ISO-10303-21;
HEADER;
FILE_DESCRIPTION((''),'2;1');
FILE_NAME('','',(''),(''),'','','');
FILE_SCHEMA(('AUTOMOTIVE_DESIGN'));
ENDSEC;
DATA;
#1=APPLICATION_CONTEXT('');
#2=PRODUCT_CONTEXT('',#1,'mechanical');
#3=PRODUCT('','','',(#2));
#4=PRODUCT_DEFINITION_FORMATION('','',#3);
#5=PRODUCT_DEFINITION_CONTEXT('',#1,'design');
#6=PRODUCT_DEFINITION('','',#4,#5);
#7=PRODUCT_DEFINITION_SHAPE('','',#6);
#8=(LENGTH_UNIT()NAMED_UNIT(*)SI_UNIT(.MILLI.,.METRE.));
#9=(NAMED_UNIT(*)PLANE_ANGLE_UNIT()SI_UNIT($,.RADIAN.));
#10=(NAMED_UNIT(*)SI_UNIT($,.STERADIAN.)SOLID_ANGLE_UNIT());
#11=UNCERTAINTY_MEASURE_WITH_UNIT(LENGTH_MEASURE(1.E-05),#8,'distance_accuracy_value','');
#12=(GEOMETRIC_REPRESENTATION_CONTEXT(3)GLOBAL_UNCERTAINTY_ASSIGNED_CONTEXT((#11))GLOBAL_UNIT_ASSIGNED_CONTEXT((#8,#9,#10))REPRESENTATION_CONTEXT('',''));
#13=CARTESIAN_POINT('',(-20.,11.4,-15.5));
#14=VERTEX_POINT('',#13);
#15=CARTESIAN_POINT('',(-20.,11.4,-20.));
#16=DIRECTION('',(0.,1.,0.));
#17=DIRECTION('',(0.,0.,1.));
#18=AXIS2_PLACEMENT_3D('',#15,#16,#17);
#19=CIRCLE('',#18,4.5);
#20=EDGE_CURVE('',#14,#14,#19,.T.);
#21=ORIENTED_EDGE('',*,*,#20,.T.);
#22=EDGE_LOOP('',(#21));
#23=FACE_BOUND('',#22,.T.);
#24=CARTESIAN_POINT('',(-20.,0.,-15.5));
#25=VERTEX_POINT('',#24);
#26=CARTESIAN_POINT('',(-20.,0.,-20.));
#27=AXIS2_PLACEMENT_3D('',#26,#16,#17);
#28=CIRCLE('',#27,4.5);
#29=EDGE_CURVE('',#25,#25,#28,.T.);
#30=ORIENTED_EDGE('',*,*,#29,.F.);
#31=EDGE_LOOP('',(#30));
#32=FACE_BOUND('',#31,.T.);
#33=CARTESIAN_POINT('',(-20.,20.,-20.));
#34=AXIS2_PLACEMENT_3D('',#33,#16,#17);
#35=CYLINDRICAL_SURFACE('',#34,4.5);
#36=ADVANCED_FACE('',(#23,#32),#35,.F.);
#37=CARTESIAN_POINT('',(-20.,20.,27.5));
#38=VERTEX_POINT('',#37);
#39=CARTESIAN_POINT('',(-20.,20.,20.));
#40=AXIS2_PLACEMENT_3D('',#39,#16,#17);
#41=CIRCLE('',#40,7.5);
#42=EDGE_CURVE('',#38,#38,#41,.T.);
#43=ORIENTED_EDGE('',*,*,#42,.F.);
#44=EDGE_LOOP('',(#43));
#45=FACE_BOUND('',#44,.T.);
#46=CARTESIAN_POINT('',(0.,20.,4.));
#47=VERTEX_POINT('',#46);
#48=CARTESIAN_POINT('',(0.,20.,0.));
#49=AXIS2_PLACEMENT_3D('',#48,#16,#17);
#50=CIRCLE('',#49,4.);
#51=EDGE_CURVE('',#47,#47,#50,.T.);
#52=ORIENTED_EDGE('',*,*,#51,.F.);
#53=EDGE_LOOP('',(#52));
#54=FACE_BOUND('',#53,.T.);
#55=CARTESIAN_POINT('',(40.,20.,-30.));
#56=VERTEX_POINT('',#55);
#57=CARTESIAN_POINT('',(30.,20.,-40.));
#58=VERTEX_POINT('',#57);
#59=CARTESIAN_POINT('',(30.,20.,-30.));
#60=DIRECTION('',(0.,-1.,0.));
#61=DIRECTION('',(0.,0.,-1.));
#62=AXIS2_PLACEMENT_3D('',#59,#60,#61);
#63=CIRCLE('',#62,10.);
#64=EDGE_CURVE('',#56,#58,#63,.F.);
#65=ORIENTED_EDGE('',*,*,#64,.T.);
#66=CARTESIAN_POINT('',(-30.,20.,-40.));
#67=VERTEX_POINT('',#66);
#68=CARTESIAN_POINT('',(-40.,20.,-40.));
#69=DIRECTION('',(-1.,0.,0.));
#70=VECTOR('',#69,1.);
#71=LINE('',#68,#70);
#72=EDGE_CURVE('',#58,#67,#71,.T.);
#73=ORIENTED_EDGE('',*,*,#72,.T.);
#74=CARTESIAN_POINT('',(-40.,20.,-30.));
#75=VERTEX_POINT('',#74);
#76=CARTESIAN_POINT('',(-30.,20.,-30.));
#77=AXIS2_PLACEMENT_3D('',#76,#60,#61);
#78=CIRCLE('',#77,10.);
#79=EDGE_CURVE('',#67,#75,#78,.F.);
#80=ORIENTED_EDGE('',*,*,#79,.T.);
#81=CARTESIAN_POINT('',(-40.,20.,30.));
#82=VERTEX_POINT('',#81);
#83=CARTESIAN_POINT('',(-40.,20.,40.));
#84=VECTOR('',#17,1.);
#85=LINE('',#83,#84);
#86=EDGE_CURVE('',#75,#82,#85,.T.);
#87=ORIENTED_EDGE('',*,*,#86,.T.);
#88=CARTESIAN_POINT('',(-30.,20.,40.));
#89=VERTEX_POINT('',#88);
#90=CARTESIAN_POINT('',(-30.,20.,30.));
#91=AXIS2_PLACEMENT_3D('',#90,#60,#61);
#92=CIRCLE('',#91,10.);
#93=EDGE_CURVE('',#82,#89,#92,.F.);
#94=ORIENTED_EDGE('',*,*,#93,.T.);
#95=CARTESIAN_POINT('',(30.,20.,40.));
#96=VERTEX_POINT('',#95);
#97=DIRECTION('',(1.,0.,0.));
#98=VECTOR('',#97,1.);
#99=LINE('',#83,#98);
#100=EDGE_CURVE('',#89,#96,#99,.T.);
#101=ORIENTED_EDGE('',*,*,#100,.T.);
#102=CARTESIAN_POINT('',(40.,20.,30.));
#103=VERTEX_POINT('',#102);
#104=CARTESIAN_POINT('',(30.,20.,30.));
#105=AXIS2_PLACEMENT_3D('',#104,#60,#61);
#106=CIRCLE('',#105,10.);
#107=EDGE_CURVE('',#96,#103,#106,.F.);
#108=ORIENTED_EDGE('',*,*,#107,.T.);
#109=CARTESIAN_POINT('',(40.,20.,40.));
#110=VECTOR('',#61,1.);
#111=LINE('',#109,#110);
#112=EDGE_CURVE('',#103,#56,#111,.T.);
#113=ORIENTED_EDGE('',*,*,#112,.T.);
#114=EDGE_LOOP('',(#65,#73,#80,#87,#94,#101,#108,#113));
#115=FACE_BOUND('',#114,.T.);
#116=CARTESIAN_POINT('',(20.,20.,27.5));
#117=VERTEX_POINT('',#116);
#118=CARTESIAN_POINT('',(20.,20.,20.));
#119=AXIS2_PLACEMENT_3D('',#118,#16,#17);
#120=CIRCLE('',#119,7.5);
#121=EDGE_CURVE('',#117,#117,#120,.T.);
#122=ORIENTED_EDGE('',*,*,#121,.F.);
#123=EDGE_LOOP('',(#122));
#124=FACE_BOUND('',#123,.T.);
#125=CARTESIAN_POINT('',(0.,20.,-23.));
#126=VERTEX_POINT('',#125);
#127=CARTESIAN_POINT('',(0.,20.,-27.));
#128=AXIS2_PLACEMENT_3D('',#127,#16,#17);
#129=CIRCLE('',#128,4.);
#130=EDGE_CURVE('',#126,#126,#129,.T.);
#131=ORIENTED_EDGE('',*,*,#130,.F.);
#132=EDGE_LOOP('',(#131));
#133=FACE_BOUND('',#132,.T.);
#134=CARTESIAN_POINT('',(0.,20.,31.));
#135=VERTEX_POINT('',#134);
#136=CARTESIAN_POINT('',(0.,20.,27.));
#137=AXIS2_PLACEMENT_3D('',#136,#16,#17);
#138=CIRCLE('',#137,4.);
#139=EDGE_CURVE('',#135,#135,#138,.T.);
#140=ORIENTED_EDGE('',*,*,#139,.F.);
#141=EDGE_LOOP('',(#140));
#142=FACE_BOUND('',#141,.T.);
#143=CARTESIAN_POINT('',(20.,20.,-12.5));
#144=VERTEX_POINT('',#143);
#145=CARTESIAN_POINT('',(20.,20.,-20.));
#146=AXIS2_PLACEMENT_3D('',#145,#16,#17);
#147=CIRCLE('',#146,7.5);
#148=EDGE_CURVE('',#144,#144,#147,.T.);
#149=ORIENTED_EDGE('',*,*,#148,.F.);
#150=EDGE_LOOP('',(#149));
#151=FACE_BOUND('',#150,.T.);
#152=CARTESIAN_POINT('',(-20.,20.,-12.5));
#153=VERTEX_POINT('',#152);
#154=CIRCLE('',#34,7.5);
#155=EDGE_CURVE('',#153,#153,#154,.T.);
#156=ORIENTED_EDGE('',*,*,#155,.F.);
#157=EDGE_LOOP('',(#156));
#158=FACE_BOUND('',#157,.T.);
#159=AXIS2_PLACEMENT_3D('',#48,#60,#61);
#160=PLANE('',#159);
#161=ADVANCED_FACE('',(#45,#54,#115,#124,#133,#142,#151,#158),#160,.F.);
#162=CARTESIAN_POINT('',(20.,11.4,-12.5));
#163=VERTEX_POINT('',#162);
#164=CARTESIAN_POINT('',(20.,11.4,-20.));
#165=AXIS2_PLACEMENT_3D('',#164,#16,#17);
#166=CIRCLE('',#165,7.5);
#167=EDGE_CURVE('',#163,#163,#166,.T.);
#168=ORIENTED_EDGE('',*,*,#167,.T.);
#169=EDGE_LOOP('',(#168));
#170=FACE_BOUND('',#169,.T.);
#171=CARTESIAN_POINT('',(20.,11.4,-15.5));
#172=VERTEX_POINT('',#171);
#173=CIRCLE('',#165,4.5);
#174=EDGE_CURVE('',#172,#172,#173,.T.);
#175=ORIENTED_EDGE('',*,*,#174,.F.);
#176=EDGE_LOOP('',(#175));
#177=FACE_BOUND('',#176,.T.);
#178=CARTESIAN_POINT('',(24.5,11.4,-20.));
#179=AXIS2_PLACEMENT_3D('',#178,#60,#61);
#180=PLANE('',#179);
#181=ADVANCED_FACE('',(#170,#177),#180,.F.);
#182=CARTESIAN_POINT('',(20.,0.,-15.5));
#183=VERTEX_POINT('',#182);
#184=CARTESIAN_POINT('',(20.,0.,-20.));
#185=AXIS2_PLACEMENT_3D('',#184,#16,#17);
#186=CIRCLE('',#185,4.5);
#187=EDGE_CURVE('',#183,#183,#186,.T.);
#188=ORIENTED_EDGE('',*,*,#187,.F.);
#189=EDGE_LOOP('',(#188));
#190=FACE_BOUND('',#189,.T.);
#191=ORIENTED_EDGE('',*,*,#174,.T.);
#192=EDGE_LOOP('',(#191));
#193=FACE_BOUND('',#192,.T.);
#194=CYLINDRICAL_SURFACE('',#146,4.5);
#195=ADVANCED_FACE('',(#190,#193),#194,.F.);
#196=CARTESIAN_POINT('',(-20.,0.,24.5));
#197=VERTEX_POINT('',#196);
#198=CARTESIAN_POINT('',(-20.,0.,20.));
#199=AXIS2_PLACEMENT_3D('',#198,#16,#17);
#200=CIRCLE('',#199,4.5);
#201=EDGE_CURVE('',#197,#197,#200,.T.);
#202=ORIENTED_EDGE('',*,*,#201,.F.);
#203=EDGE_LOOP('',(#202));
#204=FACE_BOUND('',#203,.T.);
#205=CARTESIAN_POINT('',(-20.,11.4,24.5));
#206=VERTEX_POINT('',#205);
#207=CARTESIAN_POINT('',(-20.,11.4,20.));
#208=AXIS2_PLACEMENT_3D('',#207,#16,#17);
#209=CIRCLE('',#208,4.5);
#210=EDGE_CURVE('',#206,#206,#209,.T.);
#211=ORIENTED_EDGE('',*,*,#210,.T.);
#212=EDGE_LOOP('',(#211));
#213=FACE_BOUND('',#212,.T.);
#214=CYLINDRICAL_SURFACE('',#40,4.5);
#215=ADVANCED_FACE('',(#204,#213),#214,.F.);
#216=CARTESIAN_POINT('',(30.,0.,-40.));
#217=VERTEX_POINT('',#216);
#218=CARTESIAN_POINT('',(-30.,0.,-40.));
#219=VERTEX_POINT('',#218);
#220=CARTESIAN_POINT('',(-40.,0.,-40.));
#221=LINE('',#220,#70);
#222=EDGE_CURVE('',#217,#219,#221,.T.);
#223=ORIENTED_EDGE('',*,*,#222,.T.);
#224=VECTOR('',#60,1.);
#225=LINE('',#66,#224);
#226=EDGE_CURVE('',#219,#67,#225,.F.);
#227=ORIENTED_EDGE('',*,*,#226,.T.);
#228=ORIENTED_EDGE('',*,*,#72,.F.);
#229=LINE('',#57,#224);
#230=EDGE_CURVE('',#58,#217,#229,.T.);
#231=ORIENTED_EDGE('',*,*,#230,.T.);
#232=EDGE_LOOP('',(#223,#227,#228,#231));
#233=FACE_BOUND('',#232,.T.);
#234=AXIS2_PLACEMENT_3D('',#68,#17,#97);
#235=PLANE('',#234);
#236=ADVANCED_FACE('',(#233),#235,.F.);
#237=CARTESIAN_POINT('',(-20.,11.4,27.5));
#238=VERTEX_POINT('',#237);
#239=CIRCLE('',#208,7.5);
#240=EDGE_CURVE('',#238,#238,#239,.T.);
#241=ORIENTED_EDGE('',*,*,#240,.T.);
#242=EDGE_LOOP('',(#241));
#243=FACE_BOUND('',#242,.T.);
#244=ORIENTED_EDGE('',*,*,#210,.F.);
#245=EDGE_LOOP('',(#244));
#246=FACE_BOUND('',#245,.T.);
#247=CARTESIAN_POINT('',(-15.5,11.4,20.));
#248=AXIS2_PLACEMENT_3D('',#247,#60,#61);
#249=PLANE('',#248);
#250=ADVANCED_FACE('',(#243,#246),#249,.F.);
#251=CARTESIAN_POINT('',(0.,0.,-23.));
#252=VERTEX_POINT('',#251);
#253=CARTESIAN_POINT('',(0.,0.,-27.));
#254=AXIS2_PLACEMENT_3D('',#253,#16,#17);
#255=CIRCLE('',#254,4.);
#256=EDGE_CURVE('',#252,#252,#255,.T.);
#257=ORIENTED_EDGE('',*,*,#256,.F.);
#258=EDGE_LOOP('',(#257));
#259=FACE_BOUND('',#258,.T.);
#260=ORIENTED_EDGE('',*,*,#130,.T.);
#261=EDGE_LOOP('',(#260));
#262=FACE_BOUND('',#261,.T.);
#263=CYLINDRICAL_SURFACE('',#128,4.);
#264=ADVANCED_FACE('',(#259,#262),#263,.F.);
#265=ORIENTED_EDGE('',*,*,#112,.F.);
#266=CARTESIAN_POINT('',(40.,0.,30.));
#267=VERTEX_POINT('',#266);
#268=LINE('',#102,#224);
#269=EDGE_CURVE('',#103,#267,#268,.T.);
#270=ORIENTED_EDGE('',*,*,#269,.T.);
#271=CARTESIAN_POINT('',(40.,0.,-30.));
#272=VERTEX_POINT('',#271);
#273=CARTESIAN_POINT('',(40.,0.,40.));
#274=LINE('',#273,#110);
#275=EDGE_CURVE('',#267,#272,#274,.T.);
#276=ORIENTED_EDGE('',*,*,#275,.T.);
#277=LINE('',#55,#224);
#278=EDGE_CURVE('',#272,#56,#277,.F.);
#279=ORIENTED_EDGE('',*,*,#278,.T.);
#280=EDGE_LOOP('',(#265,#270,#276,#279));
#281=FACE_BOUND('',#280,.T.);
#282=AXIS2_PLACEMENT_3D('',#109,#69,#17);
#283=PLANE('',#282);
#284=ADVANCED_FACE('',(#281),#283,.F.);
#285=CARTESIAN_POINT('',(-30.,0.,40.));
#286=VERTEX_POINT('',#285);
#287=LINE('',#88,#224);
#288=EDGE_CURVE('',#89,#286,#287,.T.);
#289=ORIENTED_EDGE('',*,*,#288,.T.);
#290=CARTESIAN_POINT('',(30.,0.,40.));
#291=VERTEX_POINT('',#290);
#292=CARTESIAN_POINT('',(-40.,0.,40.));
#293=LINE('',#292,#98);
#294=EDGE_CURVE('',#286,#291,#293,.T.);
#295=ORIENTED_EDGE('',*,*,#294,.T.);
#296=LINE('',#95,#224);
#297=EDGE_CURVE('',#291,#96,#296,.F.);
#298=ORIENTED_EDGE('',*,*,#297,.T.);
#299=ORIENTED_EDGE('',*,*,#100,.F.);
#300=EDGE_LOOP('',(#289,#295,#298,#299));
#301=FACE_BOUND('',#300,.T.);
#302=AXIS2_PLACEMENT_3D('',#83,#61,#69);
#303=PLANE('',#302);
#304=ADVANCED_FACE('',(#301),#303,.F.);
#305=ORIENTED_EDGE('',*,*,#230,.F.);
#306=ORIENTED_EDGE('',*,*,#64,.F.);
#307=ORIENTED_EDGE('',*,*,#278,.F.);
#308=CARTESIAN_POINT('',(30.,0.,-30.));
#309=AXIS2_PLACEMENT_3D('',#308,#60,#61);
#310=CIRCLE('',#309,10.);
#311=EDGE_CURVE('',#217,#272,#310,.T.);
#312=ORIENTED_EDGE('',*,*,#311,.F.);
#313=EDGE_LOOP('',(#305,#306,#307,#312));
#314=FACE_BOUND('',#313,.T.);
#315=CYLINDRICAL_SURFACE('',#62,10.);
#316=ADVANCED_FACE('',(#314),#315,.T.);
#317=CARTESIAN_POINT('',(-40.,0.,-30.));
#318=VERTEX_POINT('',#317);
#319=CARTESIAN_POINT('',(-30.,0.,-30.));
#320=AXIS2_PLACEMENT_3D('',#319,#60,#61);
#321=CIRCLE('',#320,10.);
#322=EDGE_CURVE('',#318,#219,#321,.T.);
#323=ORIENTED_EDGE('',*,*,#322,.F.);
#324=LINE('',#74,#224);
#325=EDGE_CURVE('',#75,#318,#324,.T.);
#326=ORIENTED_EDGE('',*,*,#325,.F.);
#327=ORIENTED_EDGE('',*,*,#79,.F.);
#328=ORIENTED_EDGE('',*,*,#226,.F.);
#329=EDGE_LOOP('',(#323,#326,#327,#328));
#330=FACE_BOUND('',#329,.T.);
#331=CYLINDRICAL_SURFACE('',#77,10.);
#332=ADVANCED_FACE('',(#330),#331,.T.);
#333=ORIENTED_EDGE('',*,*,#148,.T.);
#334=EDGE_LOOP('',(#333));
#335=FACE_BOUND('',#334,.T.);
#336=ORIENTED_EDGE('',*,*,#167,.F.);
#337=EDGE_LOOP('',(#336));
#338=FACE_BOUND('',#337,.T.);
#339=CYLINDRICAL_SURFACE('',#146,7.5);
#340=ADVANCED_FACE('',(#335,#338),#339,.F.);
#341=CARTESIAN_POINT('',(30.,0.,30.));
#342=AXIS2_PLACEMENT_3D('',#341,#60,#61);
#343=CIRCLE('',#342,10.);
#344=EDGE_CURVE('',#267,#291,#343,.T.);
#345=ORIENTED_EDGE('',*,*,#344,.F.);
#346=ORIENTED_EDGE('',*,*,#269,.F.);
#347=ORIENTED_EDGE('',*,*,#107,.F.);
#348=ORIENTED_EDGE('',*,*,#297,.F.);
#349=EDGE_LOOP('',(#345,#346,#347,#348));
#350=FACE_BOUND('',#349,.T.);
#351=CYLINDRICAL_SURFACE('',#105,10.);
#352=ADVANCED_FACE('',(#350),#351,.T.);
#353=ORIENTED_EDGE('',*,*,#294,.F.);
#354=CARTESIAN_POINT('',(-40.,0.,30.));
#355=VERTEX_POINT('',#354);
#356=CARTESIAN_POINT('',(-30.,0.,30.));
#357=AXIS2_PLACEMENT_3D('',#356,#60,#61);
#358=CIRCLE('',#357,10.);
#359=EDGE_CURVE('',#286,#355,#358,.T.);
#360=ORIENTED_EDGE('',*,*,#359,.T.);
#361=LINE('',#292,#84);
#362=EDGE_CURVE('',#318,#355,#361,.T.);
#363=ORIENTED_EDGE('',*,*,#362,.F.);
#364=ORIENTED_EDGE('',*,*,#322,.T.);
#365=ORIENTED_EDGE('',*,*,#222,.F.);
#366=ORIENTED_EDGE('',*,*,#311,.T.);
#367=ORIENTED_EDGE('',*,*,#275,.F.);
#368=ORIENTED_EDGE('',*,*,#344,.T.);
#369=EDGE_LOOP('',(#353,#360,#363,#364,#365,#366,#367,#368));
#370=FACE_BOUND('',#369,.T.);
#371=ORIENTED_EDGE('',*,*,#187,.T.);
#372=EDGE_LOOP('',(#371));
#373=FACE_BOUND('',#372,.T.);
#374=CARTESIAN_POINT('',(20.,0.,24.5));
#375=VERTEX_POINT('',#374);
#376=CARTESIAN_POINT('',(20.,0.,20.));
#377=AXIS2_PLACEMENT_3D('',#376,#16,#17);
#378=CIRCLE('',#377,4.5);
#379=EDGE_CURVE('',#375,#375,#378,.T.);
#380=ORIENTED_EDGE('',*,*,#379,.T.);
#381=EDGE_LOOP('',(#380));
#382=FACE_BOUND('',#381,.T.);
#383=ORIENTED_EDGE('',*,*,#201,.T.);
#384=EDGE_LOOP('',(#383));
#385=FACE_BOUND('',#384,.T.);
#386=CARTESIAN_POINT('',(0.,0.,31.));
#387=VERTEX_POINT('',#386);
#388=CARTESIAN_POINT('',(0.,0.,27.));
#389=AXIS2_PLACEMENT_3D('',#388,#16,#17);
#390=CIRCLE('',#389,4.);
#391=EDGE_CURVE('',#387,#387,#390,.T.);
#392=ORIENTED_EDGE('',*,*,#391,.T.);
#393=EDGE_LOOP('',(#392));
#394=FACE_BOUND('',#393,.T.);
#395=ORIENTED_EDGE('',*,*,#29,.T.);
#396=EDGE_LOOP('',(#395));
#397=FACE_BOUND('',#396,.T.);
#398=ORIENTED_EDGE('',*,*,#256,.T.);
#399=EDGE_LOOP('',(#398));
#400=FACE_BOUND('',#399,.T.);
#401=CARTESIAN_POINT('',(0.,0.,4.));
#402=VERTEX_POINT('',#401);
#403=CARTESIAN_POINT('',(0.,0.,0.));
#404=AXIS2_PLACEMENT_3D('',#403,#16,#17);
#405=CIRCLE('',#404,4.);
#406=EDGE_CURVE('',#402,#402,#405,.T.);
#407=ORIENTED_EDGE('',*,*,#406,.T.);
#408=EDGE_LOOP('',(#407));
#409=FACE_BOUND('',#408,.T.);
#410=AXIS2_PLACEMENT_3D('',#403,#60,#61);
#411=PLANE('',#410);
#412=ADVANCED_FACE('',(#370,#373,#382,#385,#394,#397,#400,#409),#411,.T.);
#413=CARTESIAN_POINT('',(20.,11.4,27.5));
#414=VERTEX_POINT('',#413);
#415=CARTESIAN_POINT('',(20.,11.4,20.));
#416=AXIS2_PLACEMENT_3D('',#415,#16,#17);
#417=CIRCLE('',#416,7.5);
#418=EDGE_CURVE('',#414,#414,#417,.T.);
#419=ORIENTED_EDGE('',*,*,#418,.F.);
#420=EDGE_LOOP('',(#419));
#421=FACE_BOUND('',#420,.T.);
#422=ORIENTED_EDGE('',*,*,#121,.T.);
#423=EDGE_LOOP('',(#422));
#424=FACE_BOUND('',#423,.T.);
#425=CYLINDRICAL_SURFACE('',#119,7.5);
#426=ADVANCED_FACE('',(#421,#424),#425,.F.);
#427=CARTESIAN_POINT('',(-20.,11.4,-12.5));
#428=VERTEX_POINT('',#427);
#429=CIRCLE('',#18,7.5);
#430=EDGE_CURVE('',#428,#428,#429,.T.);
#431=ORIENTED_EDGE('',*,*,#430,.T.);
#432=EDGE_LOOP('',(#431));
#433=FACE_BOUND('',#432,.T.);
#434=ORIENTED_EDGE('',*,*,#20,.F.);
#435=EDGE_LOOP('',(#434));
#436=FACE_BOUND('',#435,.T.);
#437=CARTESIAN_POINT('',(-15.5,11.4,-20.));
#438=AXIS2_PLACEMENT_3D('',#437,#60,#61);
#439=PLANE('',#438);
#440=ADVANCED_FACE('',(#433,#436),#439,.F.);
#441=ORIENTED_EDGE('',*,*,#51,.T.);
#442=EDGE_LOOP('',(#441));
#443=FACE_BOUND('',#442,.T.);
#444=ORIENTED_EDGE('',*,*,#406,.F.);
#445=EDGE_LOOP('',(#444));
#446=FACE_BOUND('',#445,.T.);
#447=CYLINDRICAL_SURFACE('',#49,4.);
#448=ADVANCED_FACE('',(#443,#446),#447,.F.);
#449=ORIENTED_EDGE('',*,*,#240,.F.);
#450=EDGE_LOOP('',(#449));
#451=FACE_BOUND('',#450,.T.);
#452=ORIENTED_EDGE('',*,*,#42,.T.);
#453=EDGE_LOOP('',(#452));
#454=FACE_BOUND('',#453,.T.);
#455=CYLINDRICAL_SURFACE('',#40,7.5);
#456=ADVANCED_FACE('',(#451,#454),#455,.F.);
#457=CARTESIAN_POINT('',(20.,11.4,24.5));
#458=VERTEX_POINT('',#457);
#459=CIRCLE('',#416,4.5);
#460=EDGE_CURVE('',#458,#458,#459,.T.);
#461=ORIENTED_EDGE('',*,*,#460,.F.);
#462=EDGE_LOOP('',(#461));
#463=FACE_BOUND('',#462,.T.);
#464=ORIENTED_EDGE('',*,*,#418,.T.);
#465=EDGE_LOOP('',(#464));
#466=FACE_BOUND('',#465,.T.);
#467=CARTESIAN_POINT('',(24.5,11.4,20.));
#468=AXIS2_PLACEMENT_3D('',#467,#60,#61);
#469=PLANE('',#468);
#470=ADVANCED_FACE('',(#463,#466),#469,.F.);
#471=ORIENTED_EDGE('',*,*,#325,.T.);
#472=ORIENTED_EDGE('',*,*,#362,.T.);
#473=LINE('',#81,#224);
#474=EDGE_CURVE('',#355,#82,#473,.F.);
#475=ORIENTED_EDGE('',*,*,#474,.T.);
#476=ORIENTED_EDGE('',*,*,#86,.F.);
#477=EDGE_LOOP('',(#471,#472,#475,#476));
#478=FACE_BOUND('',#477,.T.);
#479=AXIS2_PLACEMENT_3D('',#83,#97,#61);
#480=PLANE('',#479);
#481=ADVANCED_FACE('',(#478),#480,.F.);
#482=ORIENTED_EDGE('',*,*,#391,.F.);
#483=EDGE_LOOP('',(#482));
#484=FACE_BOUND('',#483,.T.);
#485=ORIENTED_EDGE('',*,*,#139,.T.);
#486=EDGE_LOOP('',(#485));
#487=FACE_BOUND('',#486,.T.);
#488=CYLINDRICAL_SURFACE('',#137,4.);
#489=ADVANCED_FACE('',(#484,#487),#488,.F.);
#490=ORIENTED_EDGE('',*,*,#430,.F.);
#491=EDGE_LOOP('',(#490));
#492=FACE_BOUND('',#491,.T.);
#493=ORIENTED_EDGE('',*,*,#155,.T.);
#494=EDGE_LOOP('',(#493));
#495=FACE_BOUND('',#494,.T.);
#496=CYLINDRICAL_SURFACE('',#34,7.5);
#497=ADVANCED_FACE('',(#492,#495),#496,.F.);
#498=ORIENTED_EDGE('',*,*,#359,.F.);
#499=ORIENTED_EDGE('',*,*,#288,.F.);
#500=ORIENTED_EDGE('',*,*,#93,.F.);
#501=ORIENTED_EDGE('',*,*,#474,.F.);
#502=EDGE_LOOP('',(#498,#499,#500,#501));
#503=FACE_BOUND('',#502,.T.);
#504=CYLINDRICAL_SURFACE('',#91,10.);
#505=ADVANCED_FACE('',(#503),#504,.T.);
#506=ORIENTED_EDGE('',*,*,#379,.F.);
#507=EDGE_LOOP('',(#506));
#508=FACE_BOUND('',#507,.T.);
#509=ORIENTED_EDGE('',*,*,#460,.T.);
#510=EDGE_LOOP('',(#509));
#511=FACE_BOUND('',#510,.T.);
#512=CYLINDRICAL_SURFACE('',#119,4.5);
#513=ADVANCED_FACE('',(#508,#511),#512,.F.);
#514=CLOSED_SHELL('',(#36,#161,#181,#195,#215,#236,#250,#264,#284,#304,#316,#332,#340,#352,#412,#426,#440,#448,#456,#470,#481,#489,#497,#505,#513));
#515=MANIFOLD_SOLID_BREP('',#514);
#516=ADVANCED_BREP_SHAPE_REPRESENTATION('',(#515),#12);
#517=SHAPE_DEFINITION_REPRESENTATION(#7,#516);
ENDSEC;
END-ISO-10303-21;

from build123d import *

# Parameters (mm, degrees)
SZKIC1_W                                            = 80
SZKIC1_H                                            = 80
DODANIE_WYCI_GNI_CIE1_DEPTH                         = 20
POG_BIENIE_WALCOWE_POD_M8_WKR_T_Z_BEM_W_D           = 9
POG_BIENIE_WALCOWE_POD_M8_WKR_T_Z_BEM_W_CBORE_D     = 15
POG_BIENIE_WALCOWE_POD_M8_WKR_T_Z_BEM_W_CBORE_DEPTH = 8.6
OTWORY_USTALAJ_CE_8_0MM1_D                          = 8
ZAOKR_GLENIE1_R                                     = 10


with BuildPart() as part:
    # Szkic1 → Dodanie-wyciągnięcie1 (new body)
    with BuildSketch(Plane(origin=(0, 0, 0), x_dir=(1, 0, 0), z_dir=(0, 1, 0))):
        Rectangle(SZKIC1_W, SZKIC1_H)
    extrude(amount=DODANIE_WYCI_GNI_CIE1_DEPTH)

    # Pogłębienie walcowe pod M8 Wkręt z łbem walcowym z gniazdem sześciokątnym1 (through all)
    with Locations(Plane(origin=(0, 20, 0), x_dir=(1, 0, 0), z_dir=(0, 1, 0))):
        with Locations((-20, 20), (20, 20), (20, -20), (-20, -20)):
            CounterBoreHole(POG_BIENIE_WALCOWE_POD_M8_WKR_T_Z_BEM_W_D / 2, POG_BIENIE_WALCOWE_POD_M8_WKR_T_Z_BEM_W_CBORE_D / 2, POG_BIENIE_WALCOWE_POD_M8_WKR_T_Z_BEM_W_CBORE_DEPTH)

    # Otwory ustalające Ø8.0mm1 (through all)
    with Locations(Plane(origin=(0, 20, 0), x_dir=(1, 0, 0), z_dir=(0, 1, 0))):
        with Locations((0, 27), (0, 0), (0, -27)):
            Hole(OTWORY_USTALAJ_CE_8_0MM1_D / 2)

    # Zaokrąglenie1
    zaokr_glenie1_edges = [part.edges().sort_by_distance(p)[0] for p in [
        (40, 10, 40),
        (-40, 10, 40),
        (-40, 10, -40),
        (40, 10, -40),
    ]]
    fillet(zaokr_glenie1_edges, radius=ZAOKR_GLENIE1_R)


solid = part.part
